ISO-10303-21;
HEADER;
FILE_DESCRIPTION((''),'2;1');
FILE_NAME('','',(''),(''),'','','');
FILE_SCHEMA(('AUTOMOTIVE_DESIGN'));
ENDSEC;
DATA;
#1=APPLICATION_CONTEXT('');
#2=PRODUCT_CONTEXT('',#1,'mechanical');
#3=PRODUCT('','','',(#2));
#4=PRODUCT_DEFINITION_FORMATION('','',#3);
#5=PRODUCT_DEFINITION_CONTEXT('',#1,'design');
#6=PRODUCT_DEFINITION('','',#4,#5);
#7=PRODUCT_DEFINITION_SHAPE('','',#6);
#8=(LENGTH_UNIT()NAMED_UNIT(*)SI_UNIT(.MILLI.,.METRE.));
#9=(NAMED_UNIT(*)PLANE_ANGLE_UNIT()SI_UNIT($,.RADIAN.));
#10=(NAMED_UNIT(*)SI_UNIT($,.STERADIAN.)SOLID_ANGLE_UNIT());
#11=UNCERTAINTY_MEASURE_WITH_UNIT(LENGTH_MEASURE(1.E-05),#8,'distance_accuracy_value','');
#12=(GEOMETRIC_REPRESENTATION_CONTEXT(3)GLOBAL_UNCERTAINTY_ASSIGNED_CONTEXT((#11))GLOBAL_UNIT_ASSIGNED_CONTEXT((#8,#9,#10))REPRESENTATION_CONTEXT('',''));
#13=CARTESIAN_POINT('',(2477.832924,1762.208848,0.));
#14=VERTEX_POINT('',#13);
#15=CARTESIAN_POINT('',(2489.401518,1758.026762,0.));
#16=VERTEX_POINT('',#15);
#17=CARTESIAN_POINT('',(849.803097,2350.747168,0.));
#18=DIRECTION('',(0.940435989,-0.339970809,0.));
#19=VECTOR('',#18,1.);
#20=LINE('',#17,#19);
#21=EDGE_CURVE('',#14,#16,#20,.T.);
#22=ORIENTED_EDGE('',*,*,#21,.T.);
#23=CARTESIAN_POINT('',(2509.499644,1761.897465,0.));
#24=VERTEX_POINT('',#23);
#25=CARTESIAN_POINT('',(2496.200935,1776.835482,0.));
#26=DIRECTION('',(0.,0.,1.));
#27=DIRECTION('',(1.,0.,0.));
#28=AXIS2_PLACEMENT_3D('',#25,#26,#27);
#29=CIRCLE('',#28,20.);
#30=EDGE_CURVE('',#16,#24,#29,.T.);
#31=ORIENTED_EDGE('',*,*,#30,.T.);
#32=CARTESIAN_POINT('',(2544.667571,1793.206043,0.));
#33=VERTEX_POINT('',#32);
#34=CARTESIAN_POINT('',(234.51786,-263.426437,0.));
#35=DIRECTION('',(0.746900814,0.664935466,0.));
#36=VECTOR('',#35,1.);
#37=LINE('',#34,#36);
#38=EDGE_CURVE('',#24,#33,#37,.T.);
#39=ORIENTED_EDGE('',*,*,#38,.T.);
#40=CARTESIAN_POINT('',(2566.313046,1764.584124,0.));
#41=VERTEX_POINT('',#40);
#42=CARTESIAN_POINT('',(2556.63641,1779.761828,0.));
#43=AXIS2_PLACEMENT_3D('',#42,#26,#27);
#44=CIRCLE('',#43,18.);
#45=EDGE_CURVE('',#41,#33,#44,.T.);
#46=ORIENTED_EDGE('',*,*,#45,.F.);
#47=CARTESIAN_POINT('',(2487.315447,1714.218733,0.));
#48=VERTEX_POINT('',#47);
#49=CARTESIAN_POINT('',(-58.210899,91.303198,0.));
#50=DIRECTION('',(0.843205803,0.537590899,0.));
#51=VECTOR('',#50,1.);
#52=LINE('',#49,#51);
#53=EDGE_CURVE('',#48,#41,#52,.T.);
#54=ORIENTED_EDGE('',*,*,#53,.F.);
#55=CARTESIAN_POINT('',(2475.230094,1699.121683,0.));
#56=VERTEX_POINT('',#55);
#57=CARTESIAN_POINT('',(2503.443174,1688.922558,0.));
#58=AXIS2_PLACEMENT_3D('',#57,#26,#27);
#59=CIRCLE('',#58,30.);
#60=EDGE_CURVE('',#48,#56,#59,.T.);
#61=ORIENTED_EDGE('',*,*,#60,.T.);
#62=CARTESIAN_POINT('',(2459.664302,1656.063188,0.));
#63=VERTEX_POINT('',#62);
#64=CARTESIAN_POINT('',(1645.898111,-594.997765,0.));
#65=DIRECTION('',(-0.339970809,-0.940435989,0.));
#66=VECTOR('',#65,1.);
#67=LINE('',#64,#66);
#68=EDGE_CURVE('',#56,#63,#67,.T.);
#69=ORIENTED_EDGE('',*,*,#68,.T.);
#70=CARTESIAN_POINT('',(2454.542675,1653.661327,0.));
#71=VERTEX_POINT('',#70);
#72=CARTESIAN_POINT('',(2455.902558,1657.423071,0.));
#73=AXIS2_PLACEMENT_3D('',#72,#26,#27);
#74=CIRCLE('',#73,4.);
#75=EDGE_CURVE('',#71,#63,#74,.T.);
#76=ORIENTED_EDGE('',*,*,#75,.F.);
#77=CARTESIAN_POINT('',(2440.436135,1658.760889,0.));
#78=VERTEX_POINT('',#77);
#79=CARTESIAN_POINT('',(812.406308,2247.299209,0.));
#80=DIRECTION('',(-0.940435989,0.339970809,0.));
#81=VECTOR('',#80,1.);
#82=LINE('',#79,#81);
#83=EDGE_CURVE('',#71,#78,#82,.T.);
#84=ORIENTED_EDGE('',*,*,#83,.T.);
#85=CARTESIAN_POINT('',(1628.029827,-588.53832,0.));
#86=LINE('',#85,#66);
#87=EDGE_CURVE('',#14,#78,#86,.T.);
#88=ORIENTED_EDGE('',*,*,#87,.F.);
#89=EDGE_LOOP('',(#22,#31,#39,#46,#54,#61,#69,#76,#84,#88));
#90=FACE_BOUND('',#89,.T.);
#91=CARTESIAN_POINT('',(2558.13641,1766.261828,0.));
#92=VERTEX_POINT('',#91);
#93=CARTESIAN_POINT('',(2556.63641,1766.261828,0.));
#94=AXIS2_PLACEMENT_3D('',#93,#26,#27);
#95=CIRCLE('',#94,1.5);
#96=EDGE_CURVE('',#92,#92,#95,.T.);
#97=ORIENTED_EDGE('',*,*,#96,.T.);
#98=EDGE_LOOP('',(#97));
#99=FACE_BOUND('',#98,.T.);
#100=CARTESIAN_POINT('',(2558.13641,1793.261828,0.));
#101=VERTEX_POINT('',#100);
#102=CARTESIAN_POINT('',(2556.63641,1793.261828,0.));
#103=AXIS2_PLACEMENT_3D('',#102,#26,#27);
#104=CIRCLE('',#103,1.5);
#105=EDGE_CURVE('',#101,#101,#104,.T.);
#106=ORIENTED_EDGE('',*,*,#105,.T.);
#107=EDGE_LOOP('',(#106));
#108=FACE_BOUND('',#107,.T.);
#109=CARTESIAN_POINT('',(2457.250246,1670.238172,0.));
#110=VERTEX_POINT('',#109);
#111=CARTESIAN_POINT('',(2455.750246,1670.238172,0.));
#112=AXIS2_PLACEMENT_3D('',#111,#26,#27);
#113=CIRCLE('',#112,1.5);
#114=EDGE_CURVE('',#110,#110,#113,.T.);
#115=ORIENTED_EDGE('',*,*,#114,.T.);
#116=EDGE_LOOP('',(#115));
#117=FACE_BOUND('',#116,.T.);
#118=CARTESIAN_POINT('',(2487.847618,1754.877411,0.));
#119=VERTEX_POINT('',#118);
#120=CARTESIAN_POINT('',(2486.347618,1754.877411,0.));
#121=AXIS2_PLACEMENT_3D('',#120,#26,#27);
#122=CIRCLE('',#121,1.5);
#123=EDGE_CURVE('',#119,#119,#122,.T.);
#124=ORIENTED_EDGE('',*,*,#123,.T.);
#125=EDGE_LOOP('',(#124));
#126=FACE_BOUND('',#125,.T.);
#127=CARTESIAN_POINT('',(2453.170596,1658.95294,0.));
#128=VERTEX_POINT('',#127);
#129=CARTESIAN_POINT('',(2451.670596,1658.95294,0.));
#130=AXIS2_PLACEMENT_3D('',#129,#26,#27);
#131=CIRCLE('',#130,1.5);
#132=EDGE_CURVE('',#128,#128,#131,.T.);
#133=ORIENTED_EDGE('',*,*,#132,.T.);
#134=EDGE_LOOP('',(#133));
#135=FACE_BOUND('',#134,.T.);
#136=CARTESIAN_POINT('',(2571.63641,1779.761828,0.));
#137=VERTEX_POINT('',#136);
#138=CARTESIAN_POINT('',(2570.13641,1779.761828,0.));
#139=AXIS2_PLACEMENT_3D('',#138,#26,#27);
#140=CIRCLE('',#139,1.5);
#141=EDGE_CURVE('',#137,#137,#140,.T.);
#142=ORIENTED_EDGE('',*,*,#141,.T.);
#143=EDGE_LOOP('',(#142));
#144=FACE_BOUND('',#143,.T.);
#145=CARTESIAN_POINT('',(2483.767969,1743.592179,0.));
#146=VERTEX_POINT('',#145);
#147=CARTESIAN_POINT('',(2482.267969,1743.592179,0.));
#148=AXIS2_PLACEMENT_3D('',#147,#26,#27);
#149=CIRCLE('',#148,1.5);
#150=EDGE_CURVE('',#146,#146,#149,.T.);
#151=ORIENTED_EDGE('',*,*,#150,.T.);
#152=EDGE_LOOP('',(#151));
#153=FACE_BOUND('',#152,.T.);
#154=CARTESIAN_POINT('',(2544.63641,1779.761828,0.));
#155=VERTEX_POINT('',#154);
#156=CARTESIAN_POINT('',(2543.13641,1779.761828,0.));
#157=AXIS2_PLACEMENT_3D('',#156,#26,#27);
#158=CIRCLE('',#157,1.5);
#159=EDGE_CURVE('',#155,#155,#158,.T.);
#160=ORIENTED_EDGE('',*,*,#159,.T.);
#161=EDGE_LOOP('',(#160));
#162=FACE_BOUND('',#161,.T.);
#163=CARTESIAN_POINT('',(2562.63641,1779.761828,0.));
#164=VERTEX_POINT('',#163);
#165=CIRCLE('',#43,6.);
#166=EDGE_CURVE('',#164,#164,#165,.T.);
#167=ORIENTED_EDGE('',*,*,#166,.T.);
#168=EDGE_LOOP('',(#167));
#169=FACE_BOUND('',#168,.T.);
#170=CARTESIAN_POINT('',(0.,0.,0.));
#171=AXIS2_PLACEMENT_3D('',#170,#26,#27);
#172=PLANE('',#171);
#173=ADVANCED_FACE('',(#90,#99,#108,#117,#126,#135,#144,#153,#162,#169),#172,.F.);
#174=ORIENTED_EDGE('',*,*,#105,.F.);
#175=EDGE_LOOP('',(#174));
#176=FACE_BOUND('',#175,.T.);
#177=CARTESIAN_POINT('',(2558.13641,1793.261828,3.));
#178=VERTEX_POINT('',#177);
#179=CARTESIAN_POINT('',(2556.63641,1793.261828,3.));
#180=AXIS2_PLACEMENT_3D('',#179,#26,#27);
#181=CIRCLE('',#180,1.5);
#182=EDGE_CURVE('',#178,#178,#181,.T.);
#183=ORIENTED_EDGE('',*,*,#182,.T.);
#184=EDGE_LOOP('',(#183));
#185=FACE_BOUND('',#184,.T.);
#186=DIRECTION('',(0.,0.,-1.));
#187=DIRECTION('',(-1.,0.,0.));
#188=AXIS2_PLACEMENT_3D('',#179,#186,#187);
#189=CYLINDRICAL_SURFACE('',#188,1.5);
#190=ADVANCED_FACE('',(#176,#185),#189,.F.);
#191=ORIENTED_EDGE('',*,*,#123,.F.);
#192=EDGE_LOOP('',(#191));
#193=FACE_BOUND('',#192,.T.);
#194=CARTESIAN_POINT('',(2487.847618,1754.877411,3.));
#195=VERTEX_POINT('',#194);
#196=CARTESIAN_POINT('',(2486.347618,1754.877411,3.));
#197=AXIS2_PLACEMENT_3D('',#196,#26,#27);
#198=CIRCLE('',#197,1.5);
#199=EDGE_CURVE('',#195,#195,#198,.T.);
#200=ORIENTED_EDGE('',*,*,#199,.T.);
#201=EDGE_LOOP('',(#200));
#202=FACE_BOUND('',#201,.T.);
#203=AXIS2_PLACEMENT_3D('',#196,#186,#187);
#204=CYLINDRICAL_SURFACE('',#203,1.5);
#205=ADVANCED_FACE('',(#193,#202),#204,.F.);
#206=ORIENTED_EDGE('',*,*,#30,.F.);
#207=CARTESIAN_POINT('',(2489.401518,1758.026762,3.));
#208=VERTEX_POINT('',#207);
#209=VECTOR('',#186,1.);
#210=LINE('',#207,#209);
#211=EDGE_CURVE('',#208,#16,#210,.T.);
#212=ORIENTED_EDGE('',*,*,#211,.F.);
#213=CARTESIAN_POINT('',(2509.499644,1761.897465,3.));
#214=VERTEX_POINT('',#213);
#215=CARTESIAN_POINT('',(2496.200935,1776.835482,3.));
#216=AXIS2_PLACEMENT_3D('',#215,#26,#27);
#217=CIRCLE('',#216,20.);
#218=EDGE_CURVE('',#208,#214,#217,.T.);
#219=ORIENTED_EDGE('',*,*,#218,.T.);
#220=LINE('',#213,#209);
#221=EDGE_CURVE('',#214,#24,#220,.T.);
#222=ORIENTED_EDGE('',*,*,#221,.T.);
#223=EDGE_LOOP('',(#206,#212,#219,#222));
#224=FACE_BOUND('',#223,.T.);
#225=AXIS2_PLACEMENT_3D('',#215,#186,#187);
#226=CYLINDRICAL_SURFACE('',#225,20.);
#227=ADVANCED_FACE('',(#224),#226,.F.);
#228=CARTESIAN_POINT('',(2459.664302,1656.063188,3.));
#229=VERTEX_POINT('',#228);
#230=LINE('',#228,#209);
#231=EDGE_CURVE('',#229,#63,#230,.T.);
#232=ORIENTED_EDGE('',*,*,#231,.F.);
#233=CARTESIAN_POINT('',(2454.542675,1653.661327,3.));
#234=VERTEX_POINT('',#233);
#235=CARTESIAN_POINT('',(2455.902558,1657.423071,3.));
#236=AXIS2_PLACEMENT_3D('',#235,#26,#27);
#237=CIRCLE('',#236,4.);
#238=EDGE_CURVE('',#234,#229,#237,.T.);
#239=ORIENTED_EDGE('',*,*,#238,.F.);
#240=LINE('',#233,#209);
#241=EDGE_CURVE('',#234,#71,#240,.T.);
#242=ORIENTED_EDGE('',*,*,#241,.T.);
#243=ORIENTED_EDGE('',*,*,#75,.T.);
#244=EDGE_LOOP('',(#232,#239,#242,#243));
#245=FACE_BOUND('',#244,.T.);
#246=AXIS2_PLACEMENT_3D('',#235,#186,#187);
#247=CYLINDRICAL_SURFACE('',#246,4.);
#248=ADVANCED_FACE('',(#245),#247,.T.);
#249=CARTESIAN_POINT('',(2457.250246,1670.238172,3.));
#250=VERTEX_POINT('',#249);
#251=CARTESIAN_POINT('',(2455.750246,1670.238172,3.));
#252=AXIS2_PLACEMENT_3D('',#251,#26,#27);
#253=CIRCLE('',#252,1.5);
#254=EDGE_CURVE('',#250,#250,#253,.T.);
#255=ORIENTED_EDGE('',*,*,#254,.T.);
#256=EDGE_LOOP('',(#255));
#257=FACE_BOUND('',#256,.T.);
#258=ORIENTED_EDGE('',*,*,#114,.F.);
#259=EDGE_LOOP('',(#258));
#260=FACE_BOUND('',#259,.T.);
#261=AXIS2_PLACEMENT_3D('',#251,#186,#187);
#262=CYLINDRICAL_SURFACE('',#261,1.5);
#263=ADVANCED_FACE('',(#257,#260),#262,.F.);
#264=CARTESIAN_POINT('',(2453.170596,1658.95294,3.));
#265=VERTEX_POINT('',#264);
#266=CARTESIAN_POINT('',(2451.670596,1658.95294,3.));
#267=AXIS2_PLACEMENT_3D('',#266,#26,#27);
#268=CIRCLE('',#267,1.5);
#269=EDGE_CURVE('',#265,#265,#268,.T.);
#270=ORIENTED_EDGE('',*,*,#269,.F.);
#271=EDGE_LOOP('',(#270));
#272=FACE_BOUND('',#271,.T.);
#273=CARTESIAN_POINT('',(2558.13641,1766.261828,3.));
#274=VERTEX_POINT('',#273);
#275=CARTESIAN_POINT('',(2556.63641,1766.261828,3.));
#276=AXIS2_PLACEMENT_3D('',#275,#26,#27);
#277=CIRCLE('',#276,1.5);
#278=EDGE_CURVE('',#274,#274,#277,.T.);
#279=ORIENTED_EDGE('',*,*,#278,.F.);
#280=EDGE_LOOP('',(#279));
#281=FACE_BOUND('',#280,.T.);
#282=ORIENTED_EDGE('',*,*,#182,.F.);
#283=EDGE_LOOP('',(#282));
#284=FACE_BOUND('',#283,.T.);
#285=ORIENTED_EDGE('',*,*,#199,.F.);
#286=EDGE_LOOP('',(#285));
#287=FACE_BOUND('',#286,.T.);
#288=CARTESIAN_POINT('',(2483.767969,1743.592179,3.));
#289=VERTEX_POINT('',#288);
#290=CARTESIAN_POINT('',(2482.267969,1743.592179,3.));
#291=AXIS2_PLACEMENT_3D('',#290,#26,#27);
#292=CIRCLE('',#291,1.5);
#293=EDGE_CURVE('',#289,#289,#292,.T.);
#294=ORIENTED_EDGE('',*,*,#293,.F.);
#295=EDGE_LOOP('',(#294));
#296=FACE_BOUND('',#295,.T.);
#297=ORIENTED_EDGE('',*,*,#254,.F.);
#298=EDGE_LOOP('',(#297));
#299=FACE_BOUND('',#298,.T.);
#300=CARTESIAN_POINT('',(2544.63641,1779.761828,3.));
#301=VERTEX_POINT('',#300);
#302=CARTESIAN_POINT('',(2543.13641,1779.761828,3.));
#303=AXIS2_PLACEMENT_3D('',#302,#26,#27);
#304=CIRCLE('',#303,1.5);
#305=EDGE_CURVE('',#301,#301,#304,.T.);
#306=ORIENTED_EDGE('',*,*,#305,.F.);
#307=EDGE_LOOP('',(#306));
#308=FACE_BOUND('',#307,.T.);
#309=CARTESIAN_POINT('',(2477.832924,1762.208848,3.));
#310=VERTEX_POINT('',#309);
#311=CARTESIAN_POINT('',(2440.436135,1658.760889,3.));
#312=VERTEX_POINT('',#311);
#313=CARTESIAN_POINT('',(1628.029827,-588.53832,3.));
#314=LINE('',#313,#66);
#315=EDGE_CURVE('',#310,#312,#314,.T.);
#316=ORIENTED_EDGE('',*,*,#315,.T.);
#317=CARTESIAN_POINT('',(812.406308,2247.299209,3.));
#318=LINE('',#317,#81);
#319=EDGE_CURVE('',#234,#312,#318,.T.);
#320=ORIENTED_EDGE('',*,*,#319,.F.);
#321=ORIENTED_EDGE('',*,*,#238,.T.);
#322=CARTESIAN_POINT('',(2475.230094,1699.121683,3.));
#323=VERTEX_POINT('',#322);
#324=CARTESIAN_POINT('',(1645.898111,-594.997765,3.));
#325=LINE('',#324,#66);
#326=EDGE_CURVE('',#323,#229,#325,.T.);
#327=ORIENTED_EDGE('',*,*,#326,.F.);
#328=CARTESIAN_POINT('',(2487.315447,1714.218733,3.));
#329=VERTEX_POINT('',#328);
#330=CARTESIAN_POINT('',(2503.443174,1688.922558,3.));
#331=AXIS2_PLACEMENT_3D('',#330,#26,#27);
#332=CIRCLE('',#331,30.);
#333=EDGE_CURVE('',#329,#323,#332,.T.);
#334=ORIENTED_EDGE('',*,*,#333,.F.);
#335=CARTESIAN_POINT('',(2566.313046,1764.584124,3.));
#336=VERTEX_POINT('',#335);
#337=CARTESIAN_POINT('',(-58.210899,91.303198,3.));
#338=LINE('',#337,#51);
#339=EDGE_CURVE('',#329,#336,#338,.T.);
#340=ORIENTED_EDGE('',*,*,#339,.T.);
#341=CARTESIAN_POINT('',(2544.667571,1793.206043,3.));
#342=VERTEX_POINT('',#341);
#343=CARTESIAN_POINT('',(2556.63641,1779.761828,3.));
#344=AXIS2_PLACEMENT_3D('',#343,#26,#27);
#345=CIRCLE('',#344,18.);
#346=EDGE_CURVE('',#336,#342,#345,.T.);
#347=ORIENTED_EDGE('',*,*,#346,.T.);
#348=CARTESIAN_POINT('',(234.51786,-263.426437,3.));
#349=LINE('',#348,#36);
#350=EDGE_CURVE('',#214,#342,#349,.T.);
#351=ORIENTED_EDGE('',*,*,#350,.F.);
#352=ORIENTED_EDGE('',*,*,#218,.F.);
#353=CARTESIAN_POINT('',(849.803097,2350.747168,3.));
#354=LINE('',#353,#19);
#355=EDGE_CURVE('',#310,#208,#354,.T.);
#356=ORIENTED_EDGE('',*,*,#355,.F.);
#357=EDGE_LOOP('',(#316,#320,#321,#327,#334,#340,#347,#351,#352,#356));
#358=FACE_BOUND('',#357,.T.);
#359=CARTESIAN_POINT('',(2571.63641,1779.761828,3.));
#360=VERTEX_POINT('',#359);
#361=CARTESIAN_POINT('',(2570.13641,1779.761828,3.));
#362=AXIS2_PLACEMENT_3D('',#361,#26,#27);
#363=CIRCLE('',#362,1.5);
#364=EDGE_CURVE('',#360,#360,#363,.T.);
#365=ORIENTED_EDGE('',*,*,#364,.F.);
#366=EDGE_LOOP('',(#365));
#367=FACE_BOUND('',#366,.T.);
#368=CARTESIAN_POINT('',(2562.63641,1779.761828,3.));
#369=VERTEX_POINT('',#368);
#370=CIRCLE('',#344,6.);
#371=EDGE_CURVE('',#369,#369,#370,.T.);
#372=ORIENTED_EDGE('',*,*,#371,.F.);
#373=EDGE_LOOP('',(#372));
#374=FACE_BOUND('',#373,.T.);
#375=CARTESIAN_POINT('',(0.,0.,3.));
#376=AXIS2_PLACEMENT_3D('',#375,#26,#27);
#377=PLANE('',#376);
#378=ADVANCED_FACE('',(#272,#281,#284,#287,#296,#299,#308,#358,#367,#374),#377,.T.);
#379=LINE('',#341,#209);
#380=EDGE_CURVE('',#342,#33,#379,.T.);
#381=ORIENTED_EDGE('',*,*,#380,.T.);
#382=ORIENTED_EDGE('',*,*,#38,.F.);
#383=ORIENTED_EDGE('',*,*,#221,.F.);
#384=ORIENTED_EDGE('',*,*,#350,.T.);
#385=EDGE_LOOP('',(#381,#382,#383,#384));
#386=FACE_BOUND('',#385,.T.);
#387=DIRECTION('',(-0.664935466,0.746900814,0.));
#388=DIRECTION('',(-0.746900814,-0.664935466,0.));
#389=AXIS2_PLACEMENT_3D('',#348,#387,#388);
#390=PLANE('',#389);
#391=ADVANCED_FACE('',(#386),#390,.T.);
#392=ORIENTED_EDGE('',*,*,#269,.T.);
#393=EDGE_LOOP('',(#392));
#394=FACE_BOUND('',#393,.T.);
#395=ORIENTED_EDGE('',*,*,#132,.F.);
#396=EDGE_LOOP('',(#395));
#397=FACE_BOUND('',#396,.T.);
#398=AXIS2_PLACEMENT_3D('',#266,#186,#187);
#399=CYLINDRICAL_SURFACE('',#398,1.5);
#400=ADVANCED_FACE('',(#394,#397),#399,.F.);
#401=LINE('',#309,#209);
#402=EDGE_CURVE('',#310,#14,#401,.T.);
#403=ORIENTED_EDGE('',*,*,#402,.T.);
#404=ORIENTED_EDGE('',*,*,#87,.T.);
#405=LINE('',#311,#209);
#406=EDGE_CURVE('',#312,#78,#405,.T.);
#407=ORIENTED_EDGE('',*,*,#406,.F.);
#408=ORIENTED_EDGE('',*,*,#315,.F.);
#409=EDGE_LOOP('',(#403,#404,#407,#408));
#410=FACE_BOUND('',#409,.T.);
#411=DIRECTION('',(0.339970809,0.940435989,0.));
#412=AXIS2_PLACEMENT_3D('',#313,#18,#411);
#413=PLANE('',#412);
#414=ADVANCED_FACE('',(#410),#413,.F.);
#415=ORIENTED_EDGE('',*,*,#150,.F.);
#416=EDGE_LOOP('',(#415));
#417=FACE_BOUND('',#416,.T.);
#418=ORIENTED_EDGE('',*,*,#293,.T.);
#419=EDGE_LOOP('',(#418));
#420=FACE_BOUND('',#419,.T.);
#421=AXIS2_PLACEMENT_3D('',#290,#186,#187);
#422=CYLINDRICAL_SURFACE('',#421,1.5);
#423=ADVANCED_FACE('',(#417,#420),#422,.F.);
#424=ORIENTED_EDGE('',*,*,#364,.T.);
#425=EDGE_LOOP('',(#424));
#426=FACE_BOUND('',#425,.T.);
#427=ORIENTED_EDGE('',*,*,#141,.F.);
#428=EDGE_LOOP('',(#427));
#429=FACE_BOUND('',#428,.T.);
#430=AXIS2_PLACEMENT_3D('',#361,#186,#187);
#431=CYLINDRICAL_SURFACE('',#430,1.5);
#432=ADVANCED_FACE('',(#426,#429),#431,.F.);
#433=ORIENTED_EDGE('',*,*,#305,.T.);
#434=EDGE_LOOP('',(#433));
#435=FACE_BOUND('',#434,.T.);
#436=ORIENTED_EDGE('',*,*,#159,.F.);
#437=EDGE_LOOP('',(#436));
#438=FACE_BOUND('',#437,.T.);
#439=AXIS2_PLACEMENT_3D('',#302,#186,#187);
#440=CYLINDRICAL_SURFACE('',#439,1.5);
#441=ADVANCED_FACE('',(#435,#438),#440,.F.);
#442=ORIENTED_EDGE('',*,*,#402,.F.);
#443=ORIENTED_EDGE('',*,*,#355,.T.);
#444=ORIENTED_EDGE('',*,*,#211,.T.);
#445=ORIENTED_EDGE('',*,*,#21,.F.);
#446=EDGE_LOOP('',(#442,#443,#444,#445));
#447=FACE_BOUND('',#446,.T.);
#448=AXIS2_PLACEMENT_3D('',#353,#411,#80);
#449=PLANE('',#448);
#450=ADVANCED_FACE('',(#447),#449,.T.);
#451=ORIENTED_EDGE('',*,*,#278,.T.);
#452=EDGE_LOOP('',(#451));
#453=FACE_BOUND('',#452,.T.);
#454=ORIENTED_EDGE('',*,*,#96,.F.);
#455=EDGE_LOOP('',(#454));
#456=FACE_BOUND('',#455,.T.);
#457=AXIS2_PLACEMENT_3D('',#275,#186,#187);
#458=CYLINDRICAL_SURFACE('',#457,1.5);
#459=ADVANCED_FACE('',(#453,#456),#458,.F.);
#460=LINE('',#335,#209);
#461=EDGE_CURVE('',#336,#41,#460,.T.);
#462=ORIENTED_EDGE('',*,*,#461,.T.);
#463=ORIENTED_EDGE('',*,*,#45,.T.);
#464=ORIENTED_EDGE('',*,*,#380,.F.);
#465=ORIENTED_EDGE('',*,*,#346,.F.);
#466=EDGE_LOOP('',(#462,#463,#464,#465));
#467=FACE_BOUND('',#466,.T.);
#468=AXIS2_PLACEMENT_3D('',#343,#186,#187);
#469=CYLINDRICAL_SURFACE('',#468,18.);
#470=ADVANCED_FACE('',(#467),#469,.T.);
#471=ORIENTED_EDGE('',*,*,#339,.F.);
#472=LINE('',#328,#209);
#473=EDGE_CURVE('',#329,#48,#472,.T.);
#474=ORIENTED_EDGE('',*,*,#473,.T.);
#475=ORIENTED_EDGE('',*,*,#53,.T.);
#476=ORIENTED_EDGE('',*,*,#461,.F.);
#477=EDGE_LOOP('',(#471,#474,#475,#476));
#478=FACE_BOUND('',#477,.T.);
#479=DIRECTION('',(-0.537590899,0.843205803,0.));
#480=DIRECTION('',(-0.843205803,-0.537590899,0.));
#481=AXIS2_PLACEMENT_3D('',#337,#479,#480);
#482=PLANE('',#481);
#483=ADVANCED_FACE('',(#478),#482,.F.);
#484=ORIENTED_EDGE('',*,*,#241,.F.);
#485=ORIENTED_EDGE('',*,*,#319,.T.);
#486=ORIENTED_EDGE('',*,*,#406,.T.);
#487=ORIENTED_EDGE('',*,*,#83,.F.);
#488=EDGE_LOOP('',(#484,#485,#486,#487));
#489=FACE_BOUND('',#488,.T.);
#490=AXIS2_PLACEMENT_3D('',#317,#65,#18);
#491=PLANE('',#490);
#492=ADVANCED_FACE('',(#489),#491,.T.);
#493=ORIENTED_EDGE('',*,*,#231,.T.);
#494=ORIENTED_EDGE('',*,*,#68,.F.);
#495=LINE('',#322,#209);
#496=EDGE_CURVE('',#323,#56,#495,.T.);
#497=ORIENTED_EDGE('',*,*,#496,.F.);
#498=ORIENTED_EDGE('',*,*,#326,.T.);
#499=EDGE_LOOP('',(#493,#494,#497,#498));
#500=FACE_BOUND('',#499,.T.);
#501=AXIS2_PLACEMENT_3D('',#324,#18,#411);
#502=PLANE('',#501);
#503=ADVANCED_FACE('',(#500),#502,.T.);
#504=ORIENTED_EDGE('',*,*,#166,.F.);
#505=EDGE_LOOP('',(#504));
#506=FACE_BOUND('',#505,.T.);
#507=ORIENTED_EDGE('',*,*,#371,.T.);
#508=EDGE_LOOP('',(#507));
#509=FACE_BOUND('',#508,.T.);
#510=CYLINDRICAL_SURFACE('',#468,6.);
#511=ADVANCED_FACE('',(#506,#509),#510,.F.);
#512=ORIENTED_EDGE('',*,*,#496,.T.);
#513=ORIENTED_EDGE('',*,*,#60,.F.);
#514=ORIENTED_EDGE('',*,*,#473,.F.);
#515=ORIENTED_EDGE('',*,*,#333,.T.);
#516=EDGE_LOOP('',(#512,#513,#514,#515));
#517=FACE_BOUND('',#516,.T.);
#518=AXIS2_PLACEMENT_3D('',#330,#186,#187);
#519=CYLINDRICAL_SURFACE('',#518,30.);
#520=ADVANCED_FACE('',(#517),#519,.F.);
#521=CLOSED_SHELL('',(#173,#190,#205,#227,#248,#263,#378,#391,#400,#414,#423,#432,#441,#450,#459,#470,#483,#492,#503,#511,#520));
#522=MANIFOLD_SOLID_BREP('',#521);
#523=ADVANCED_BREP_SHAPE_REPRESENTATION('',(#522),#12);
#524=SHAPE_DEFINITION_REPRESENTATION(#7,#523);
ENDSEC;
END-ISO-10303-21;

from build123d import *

# Parameters (mm, degrees)
MODEL_R         = 1.5
MODEL_R_2       = 6
EXTRUDE_1_DEPTH = 3


with BuildPart() as part:
    # Model → 凸台-拉伸1 (new body)
    with BuildSketch(Plane.XY):
        with BuildLine():
            Line((2489.401518441, 1758.026761836), (2477.832923788, 1762.20884815))
            Line((2477.832923788, 1762.20884815), (2447.235551014, 1677.569609145))
            Line((2447.235551014, 1677.569609145), (2443.835842928, 1668.165249256))
            Line((2443.835842928, 1668.165249256), (2440.436134842, 1658.760889367))
            Line((2440.436134842, 1658.760889367), (2441.846788825, 1658.250933154))
            Line((2441.846788825, 1658.250933154), (2446.54896877, 1656.551079111))
            Line((2446.54896877, 1656.551079111), (2453.602238687, 1654.001298046))
            Line((2453.602238687, 1654.001298046), (2454.542674676, 1653.661327237))
            ThreePointArc((2454.542674676, 1653.661327237), (2457.600929914, 1653.801533876), (2459.664301866, 1656.063187959))
            Line((2459.664301866, 1656.063187959), (2465.103834804, 1671.110163782))
            Line((2465.103834804, 1671.110163782), (2466.691626019, 1675.502352652))
            Line((2466.691626019, 1675.502352652), (2475.230094166, 1699.121682704))
            ThreePointArc((2475.230094166, 1699.121682704), (2480.022947289, 1707.670704716), (2487.315446875, 1714.218732526))
            Line((2487.315446875, 1714.218732526), (2566.313045726, 1764.584123777))
            ThreePointArc((2566.313045726, 1764.584123777), (2570.993188824, 1790.619216903), (2544.66757117, 1793.206042885))
            Line((2544.66757117, 1793.206042885), (2509.499643925, 1761.897465327))
            ThreePointArc((2509.499643925, 1761.897465327), (2499.983234073, 1757.196382583), (2489.401518441, 1758.026761836))
        make_face()
        with Locations((2451.67059596, 1658.952939832)):
            Circle(MODEL_R, mode=Mode.SUBTRACT)
        with Locations((2455.750245663, 1670.238171699)):
            Circle(MODEL_R, mode=Mode.SUBTRACT)
        with Locations((2482.267968734, 1743.592178837)):
            Circle(MODEL_R, mode=Mode.SUBTRACT)
        with Locations((2486.347618438, 1754.877410704)):
            Circle(MODEL_R, mode=Mode.SUBTRACT)
        with Locations((2556.636409551, 1766.261828225)):
            Circle(MODEL_R, mode=Mode.SUBTRACT)
        with Locations((2543.136409551, 1779.761828225)):
            Circle(MODEL_R, mode=Mode.SUBTRACT)
        with Locations((2556.636409551, 1779.761828225)):
            Circle(MODEL_R_2, mode=Mode.SUBTRACT)
        with Locations((2556.636409551, 1793.261828225)):
            Circle(MODEL_R, mode=Mode.SUBTRACT)
        with Locations((2570.136409551, 1779.761828225)):
            Circle(MODEL_R, mode=Mode.SUBTRACT)
    extrude(amount=EXTRUDE_1_DEPTH)


solid = part.part
